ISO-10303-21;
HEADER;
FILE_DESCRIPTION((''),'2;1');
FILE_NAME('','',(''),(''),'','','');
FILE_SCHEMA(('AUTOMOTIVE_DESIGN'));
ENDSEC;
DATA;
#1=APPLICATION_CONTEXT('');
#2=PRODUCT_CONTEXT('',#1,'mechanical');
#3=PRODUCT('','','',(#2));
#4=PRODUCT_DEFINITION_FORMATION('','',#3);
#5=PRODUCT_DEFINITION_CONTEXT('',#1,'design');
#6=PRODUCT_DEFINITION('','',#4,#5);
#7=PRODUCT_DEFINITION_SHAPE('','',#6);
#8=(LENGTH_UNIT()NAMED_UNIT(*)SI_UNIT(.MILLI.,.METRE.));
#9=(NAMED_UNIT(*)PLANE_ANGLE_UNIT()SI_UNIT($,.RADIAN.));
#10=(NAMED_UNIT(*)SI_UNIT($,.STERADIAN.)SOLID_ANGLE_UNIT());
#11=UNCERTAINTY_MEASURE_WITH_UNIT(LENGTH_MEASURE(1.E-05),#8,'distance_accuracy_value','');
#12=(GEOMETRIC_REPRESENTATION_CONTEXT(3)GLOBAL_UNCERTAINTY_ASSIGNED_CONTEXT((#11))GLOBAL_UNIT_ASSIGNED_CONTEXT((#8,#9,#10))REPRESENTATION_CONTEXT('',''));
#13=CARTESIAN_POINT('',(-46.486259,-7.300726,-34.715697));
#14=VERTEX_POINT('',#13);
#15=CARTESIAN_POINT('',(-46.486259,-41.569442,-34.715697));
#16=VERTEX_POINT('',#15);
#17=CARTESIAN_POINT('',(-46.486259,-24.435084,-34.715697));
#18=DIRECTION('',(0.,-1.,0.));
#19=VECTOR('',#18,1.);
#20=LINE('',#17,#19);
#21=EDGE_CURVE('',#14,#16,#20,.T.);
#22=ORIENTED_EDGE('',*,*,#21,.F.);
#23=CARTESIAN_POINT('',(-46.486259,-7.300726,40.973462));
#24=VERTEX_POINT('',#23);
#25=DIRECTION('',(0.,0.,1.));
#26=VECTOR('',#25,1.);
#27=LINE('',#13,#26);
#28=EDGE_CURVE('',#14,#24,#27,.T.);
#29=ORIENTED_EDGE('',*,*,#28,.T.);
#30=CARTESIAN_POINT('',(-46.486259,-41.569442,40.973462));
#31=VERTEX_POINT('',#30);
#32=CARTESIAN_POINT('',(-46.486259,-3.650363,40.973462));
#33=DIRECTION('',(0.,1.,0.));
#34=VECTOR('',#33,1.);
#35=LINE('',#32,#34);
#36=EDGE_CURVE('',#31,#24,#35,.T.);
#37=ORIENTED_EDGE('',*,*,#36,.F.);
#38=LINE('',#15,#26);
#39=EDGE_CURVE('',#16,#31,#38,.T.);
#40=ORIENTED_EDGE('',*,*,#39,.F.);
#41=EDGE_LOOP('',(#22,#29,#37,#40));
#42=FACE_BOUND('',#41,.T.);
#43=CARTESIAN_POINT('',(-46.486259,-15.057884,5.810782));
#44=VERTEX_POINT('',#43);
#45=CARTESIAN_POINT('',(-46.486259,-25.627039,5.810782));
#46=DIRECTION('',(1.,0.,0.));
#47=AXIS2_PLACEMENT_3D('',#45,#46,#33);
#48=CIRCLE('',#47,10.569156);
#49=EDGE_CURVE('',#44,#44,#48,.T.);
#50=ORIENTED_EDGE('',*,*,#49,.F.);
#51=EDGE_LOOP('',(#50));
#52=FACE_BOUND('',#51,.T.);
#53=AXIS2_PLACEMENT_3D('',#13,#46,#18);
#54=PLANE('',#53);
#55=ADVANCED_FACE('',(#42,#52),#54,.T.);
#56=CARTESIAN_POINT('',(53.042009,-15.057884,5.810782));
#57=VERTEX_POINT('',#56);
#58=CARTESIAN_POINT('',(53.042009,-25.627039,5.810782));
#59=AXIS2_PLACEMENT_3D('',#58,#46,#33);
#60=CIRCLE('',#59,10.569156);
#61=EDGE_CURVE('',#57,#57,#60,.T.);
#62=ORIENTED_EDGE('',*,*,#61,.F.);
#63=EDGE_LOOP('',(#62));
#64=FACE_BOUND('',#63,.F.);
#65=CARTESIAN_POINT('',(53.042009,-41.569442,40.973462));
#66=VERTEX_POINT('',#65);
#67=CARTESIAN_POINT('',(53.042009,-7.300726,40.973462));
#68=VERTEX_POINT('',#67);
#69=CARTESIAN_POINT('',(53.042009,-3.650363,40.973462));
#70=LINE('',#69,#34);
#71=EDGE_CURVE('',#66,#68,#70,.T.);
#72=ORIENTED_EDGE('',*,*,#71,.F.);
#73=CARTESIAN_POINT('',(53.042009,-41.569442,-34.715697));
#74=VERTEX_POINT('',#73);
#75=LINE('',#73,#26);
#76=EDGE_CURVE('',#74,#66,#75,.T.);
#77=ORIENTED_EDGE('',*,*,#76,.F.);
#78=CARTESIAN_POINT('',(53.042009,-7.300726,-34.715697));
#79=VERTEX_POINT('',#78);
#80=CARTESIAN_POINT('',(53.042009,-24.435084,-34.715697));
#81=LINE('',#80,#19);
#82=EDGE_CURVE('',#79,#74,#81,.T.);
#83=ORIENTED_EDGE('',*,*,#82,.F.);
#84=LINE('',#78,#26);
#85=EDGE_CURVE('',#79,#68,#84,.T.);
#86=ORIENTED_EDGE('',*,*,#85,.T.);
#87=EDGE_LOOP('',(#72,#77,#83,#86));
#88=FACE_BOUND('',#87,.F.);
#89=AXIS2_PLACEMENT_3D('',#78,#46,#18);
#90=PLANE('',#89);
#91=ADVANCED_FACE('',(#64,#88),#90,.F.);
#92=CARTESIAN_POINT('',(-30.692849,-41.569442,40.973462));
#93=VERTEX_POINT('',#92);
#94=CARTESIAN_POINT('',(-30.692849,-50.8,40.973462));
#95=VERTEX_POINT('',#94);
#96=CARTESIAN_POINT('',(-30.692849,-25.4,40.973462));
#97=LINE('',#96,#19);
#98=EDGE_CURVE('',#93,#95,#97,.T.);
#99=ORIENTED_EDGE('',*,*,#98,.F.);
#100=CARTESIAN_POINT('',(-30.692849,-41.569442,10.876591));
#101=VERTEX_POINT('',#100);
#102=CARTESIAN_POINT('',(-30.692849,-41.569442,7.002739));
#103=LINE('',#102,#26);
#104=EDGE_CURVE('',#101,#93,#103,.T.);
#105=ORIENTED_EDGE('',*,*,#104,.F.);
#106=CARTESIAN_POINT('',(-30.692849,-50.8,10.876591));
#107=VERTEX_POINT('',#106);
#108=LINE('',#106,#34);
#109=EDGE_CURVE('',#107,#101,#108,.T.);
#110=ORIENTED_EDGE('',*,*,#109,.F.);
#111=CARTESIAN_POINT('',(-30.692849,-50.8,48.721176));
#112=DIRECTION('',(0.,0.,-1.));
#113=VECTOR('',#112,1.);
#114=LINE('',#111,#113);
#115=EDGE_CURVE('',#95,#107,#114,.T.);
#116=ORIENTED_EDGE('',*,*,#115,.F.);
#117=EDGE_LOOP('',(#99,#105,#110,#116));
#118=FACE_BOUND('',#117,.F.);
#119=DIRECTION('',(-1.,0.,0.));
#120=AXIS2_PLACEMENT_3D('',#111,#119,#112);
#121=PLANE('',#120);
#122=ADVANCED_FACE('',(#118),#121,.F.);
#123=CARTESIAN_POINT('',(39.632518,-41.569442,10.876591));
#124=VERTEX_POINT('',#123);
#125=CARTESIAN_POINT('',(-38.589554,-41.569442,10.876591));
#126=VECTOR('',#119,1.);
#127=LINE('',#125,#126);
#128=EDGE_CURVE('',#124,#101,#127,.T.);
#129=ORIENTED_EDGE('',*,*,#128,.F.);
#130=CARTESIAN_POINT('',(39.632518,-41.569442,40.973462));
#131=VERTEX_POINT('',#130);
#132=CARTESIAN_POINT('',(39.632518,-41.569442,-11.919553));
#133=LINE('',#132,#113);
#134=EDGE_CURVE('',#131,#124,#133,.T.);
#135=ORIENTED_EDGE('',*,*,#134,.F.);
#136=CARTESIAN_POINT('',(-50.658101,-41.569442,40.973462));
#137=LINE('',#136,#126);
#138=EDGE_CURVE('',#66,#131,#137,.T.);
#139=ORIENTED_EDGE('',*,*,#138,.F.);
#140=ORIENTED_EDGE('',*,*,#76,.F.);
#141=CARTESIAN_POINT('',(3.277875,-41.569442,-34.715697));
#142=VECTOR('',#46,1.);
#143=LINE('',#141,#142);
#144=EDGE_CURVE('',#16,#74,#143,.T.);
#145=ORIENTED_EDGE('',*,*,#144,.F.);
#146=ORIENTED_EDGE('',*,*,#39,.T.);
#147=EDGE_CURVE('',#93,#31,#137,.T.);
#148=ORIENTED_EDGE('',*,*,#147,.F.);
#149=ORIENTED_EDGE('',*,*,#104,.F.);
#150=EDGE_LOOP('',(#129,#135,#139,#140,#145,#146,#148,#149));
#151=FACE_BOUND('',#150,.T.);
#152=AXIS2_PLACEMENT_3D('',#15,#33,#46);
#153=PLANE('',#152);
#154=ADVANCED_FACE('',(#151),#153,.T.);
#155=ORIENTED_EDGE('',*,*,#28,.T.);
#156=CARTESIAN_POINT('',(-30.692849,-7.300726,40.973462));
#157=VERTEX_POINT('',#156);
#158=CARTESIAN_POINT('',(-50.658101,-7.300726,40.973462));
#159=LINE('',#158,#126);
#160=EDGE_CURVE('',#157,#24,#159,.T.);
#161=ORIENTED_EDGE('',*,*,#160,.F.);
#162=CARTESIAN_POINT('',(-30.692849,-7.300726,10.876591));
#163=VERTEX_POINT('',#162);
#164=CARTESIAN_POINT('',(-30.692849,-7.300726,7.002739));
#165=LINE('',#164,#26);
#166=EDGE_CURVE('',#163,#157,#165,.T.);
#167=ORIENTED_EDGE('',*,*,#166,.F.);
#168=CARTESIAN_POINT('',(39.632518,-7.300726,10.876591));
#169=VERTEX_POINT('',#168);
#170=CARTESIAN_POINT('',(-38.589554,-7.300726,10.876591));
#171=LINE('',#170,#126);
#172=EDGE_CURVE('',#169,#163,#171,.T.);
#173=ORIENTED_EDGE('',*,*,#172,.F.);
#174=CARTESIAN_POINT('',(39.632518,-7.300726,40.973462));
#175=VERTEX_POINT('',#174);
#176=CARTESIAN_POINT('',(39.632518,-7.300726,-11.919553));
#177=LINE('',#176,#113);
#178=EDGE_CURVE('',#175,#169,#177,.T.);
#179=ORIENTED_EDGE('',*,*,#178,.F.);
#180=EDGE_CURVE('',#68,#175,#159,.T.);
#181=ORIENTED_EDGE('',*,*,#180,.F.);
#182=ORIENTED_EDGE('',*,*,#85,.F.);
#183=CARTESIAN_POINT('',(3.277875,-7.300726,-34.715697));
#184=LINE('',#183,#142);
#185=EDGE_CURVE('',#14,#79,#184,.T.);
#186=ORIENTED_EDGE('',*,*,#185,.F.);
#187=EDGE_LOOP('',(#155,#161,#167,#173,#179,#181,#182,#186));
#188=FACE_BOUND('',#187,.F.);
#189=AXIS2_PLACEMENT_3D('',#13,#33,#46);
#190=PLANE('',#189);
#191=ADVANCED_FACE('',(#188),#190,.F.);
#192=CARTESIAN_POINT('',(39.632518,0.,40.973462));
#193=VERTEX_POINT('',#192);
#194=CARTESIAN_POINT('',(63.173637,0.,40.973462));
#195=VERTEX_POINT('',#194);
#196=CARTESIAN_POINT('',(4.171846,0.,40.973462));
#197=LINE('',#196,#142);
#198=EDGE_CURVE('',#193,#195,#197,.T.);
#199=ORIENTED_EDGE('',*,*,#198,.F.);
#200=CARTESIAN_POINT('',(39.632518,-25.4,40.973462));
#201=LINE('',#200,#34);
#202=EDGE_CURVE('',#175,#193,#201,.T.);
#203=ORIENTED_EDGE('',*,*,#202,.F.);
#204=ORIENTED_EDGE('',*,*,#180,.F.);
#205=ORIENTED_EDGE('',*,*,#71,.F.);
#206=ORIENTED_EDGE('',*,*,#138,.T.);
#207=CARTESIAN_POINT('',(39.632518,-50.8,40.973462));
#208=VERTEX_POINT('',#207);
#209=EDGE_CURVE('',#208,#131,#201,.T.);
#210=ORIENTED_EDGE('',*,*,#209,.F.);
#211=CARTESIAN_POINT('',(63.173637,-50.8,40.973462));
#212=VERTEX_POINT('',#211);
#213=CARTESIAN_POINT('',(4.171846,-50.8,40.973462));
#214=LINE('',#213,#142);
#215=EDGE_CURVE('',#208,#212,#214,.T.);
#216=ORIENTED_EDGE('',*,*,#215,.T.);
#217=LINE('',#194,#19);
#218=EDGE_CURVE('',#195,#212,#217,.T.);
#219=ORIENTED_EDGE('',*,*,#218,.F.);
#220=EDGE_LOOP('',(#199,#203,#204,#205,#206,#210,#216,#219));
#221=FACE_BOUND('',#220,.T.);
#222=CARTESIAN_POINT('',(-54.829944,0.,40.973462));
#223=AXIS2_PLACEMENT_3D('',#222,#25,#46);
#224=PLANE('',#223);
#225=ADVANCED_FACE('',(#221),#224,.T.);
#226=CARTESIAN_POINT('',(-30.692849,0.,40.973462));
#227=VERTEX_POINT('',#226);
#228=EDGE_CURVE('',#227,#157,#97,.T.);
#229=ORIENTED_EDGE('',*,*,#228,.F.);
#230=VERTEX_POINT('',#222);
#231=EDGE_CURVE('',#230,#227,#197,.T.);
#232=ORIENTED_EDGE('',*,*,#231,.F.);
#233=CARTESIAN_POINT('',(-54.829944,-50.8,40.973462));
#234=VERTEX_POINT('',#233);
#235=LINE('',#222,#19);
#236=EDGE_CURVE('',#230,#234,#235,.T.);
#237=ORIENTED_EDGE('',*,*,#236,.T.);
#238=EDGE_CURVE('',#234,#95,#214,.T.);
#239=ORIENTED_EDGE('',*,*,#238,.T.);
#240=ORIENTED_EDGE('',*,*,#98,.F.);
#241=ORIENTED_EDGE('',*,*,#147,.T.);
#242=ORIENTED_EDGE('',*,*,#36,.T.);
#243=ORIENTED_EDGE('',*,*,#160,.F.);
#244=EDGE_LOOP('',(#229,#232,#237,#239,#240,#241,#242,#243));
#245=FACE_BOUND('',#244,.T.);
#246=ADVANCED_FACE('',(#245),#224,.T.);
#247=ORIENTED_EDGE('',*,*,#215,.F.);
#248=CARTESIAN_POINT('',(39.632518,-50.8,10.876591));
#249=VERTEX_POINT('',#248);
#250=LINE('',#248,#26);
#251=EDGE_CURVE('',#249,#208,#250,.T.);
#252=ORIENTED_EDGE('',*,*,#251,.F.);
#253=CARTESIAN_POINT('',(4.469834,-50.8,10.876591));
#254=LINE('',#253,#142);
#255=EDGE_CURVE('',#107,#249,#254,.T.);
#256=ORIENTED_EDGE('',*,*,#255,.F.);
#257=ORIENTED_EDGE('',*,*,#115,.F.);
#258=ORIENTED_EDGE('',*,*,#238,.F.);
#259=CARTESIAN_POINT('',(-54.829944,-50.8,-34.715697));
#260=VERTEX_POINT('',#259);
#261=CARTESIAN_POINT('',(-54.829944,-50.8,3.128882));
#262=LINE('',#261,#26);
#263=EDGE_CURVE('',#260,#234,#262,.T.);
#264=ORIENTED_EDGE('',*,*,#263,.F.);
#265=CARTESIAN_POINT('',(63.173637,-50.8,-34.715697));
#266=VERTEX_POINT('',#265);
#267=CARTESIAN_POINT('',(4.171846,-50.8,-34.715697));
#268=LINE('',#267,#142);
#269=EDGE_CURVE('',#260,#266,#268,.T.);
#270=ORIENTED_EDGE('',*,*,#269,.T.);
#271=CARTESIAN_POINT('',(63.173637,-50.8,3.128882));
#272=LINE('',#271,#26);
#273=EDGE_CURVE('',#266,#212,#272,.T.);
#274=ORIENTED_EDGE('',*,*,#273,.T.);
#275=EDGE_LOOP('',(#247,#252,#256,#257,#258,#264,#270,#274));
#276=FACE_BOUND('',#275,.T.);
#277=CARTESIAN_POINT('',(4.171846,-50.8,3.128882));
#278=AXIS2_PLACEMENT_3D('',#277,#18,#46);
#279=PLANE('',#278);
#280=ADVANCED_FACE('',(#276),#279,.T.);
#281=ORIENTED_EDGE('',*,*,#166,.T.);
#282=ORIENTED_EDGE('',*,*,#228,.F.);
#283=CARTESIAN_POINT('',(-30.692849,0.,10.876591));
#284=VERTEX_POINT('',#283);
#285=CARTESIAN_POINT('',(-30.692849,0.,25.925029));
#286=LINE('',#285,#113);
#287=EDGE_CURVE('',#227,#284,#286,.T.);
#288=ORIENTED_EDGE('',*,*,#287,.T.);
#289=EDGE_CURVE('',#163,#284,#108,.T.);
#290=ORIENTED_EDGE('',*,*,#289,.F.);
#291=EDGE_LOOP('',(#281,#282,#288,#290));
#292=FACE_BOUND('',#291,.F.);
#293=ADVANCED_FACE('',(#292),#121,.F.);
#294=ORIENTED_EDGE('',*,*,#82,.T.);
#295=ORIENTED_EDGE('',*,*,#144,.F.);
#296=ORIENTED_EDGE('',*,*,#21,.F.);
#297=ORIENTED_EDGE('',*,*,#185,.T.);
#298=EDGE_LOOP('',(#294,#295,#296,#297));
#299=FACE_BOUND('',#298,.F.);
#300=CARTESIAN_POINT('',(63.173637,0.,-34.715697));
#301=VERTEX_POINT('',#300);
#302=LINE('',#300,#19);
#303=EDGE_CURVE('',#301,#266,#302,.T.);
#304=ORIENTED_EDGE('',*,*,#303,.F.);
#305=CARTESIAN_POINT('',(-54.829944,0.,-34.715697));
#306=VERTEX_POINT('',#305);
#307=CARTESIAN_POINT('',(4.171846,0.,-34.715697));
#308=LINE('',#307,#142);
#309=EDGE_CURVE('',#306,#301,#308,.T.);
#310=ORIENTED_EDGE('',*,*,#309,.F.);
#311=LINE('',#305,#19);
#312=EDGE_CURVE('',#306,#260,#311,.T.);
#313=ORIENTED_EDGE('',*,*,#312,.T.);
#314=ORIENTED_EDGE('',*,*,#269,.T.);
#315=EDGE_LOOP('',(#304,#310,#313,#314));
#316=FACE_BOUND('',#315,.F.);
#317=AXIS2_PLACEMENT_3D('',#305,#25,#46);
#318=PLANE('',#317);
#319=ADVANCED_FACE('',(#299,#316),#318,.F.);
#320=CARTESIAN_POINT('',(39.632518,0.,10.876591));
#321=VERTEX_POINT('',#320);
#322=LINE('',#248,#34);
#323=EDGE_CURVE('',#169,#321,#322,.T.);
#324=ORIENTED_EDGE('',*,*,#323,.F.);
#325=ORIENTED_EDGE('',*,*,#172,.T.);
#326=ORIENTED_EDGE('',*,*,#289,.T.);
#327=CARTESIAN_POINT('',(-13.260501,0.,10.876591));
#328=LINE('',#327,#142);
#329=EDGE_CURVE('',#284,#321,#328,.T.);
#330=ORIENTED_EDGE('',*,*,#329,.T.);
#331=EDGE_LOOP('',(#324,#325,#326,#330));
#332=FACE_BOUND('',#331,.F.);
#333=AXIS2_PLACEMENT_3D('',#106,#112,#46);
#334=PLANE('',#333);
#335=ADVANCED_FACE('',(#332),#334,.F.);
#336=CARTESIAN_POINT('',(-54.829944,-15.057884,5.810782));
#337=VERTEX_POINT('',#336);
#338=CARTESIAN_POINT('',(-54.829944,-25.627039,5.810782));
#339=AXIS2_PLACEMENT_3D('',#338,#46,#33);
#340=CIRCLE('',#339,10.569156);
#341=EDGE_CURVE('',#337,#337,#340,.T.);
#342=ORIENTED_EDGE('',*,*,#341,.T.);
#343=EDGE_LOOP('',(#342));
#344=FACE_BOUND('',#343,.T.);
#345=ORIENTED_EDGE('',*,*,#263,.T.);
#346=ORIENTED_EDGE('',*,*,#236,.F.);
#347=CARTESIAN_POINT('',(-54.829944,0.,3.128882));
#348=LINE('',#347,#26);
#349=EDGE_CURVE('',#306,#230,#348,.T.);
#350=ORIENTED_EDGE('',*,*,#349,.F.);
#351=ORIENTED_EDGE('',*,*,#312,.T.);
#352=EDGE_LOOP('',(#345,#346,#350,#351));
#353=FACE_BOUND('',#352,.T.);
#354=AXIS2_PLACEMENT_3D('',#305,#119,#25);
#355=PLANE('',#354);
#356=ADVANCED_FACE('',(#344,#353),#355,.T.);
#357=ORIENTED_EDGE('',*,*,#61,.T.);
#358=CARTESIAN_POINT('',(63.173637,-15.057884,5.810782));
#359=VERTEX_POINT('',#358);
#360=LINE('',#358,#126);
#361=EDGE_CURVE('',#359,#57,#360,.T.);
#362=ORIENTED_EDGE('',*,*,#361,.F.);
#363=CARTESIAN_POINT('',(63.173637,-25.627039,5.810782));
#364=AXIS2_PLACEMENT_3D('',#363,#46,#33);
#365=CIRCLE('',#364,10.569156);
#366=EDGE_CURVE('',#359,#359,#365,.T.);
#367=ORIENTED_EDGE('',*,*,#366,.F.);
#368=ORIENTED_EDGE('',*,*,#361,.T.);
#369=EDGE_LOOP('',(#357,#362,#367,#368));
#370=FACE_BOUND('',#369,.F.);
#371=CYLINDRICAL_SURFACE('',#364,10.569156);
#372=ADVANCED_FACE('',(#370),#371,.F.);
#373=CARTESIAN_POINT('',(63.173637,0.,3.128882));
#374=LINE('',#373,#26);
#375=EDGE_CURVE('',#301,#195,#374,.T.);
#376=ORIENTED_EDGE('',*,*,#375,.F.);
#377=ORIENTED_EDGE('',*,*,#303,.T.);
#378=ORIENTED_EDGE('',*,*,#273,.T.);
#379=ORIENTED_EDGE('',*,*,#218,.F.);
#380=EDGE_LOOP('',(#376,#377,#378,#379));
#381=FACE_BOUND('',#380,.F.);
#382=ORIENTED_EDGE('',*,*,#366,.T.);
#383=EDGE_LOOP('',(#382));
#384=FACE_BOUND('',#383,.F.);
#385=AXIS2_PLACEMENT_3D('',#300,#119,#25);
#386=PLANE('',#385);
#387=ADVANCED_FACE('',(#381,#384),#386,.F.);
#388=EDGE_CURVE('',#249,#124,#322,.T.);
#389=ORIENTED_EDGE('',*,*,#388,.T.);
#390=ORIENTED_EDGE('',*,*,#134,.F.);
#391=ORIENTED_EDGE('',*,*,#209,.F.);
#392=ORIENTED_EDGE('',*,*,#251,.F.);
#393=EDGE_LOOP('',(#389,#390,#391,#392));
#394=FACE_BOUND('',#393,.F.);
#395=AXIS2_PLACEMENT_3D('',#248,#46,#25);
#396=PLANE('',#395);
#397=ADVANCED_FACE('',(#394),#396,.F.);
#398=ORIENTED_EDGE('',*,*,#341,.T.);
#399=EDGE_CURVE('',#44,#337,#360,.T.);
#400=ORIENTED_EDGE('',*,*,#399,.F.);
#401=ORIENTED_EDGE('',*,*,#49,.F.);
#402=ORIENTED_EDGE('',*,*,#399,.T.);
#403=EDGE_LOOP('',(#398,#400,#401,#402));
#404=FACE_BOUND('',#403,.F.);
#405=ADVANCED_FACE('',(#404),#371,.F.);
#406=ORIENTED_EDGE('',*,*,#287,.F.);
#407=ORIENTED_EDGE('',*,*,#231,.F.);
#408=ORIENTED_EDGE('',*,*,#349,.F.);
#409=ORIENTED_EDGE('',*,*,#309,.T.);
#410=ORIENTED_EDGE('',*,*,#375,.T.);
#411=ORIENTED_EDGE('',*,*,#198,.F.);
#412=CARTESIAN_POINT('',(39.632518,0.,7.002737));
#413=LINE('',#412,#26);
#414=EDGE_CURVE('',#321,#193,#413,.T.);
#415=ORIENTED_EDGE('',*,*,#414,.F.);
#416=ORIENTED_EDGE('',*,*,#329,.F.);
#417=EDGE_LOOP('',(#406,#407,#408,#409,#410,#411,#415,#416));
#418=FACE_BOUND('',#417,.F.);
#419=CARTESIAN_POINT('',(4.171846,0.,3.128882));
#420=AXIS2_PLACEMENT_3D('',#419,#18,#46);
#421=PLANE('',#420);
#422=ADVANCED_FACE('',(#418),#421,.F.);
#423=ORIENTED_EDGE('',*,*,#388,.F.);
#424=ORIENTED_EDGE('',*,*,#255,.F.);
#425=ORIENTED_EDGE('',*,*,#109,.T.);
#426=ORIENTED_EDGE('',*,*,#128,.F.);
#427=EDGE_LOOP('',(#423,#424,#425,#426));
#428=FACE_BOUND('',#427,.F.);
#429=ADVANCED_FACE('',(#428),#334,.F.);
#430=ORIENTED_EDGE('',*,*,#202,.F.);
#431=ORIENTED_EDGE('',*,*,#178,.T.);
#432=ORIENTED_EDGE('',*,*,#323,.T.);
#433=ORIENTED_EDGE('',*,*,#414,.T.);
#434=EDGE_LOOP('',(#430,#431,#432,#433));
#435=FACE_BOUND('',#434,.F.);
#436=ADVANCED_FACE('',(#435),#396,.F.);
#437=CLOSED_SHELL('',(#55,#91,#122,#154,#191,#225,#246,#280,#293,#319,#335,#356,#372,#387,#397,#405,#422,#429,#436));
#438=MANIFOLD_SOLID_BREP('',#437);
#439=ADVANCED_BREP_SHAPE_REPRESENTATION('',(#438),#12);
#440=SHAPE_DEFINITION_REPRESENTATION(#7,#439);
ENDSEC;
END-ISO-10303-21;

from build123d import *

# Parameters (mm, degrees)
F0_W     = 118.0035807192
F0_H     = 75.6891593337
F1_DEPTH = 50.8
F2_W     = 99.5282679796
F2_H     = 34.2687154189
F3_DEPTH = 75.6901593337
F4_W     = 70.3253671527
F4_H     = 30.096870847
F4_H_2   = 7.7477134764
F5_DEPTH = 50.801
F6_R     = 10.5691557052
F7_DEPTH = 118.0045807192


with BuildPart() as f1:
    # F0 (on Front) → F1 (new body)
    with BuildSketch(Plane.XZ):
        with Locations((4.1718464345, 3.1288824975)):
            Rectangle(F0_W, F0_H)
    extrude(amount=F1_DEPTH)

    # F2 (on face) → F3 (cut, through all)
    with BuildSketch(Plane(origin=(0, 0, -34.7156971693), x_dir=(1, 0, 0), z_dir=(0, 0, -1))):
        with Locations((3.277875483, 24.4350838475)):
            Rectangle(F2_W, F2_H)
    extrude(amount=-F3_DEPTH, mode=Mode.SUBTRACT)

    # F4 (on face) → F5 (cut, through all)
    with BuildSketch(Plane.XZ.offset(50.8)):
        with Locations((4.4698342681, 25.9250267409)):
            Rectangle(F4_W, F4_H)
        with Locations((4.4698342681, 44.8473189026)):
            Rectangle(F4_W, F4_H_2)
    extrude(amount=-F5_DEPTH, mode=Mode.SUBTRACT)

    # F6 (on face) → F7 (cut, through all)
    with BuildSketch(Plane.YZ.offset(63.1736367941)):
        with Locations((-25.6270393729, 5.8107818477)):
            Circle(F6_R)
    extrude(amount=-F7_DEPTH, mode=Mode.SUBTRACT)


solid = f1.part
